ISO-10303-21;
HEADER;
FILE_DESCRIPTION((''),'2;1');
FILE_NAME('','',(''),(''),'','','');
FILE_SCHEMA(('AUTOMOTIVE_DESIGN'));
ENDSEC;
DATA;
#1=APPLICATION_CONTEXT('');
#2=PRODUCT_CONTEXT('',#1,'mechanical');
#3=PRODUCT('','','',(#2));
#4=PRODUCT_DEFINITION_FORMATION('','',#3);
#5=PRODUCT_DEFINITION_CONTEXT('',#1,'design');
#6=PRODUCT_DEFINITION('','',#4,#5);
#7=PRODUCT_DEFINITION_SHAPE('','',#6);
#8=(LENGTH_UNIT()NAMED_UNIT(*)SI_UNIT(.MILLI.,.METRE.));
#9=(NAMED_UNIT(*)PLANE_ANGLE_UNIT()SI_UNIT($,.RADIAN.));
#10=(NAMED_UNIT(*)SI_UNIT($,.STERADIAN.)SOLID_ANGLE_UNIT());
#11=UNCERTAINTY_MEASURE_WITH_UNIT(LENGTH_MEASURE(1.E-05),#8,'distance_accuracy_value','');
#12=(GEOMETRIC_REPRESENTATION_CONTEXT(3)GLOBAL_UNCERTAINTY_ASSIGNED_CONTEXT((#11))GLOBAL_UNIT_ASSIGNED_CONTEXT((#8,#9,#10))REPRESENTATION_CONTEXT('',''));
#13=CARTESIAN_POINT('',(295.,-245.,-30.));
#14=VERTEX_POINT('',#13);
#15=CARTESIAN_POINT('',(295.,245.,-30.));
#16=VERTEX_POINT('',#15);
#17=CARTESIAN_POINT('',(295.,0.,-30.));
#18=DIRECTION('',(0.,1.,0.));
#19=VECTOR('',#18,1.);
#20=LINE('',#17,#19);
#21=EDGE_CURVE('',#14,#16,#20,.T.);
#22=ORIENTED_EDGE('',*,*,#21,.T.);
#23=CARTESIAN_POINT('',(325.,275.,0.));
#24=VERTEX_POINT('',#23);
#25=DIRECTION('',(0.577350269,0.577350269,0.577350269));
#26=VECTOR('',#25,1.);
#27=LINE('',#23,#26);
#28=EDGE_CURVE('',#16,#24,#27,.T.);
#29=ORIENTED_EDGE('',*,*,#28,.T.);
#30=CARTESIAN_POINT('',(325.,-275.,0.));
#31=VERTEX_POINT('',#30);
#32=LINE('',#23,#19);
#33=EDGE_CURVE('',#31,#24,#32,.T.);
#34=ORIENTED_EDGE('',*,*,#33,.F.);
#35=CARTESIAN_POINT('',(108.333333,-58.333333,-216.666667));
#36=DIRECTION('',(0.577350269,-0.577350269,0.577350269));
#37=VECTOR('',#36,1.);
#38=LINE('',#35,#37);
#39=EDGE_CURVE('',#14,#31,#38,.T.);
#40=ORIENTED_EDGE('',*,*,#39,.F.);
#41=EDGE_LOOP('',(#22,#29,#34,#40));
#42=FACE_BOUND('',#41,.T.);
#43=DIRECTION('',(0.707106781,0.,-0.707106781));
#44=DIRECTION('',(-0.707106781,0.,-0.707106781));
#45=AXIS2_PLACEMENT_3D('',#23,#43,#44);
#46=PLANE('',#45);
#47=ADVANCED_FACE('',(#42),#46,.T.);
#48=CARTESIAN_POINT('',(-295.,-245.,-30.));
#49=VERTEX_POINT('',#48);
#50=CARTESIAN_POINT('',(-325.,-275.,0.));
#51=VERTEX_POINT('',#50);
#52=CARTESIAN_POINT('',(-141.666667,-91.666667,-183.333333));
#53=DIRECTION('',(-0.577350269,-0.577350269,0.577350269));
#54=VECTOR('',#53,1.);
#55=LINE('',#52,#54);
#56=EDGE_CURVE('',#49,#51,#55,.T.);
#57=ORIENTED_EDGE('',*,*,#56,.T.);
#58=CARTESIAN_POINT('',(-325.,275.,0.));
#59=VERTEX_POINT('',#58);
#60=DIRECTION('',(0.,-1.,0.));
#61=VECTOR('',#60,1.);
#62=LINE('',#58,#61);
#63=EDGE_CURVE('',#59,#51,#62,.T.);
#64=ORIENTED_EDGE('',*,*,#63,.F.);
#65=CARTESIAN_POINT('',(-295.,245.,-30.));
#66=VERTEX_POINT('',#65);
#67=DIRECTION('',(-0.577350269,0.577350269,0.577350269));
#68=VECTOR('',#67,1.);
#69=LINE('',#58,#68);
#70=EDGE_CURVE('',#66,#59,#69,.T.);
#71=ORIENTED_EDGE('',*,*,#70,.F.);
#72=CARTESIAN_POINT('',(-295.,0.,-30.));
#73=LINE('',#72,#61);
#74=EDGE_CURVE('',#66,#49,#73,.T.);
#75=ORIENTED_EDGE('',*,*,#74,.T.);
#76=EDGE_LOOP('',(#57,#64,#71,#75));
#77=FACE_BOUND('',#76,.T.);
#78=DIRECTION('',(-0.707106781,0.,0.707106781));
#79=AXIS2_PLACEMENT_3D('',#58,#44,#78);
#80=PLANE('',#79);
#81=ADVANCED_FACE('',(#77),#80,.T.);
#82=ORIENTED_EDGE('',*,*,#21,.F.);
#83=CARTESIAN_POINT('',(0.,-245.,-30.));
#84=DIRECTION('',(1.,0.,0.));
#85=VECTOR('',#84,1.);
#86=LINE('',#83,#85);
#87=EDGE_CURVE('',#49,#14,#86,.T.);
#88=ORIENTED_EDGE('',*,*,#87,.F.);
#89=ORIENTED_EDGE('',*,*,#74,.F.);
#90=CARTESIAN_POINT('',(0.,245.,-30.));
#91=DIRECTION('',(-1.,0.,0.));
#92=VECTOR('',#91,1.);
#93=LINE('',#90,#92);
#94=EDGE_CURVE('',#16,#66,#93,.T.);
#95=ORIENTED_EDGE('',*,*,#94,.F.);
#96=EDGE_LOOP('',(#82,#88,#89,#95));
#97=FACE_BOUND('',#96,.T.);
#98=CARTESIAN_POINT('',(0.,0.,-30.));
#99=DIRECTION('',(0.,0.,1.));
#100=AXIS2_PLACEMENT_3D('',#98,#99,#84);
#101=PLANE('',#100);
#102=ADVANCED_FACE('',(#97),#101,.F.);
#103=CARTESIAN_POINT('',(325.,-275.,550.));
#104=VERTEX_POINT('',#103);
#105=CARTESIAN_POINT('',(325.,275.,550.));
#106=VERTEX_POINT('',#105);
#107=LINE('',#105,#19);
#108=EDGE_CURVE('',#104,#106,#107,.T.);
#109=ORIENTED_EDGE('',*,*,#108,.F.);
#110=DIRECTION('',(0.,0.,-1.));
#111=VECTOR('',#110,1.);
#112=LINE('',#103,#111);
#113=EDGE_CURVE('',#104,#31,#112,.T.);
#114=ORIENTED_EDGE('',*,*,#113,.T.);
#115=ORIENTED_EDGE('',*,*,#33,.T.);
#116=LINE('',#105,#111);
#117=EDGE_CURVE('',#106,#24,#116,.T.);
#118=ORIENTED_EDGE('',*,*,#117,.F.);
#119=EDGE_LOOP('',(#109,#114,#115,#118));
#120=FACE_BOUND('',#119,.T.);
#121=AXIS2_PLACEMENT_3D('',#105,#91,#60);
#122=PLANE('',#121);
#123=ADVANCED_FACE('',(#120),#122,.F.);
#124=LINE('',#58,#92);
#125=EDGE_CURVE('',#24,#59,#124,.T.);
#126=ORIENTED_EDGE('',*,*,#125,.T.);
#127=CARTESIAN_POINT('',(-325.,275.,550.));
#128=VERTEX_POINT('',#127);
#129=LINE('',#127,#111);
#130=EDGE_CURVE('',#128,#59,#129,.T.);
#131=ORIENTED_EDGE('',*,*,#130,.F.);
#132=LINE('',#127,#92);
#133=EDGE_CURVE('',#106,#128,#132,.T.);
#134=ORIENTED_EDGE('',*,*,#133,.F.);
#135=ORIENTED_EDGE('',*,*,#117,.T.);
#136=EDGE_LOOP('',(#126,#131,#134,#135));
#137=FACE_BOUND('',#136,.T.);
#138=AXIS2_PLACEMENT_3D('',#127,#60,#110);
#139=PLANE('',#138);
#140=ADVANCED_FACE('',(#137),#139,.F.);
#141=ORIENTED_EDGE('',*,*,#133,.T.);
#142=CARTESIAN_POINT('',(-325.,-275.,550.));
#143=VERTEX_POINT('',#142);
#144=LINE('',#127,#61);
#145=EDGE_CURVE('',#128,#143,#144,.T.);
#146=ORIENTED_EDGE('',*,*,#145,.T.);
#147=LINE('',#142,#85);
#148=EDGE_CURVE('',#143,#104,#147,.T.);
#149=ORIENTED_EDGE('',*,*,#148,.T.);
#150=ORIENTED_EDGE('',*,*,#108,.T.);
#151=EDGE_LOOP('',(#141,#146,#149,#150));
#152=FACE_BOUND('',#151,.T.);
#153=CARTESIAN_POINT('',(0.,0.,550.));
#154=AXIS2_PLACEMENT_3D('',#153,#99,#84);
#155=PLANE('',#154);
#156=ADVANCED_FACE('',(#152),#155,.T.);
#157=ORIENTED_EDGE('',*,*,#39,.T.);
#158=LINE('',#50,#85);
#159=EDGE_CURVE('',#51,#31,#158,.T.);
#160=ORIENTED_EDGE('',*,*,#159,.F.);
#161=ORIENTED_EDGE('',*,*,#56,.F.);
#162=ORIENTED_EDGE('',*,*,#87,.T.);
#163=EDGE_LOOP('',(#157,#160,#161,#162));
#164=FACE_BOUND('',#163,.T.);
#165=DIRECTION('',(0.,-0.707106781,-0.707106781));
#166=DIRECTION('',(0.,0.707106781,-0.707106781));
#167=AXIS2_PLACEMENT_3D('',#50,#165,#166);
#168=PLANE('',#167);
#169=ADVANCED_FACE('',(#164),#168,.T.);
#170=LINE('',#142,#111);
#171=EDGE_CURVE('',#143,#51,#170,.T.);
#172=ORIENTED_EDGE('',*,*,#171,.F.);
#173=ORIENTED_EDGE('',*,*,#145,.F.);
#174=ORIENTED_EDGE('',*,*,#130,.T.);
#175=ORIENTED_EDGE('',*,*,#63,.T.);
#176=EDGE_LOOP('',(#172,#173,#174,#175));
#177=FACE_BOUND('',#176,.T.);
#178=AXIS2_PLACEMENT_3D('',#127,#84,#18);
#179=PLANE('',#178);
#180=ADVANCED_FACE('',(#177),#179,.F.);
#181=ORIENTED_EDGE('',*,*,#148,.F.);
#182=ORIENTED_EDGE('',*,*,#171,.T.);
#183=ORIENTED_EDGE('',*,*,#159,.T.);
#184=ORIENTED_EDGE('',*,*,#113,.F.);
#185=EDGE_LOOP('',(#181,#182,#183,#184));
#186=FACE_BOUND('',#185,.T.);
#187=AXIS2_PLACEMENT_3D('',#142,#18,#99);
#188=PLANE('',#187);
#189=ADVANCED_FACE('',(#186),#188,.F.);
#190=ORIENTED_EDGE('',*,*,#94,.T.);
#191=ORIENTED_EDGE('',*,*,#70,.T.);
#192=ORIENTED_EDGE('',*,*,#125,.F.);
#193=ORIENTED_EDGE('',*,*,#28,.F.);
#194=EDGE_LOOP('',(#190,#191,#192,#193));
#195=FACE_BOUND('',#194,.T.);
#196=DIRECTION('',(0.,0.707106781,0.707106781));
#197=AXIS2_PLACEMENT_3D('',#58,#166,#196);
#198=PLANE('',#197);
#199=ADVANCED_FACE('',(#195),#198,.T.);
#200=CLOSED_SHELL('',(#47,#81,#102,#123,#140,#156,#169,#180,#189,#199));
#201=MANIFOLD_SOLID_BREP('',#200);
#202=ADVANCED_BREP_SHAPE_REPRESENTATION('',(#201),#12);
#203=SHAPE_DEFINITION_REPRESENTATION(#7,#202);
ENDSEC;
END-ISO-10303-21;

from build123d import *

# Parameters (mm, degrees)
SKETCH2_W                     = 650
SKETCH2_H                     = 550
BOSS_EXTRUDE1_DEPTH           = 550
BOSS_EXTRUDE1_OTHER_WAY_DEPTH = 30
BOSS_EXTRUDE1_OTHER_WAY_TAPER = 45


with BuildPart() as part:
    # Sketch2 → Boss-Extrude1 (new body)
    with BuildSketch(Plane.XY):
        Rectangle(SKETCH2_W, SKETCH2_H)
    extrude(amount=BOSS_EXTRUDE1_DEPTH)

    # Sketch2 → Boss-Extrude1 other way (add)
    with BuildSketch(Plane.XY):
        Rectangle(SKETCH2_W, SKETCH2_H)
    extrude(amount=-BOSS_EXTRUDE1_OTHER_WAY_DEPTH, taper=BOSS_EXTRUDE1_OTHER_WAY_TAPER)


solid = part.part
